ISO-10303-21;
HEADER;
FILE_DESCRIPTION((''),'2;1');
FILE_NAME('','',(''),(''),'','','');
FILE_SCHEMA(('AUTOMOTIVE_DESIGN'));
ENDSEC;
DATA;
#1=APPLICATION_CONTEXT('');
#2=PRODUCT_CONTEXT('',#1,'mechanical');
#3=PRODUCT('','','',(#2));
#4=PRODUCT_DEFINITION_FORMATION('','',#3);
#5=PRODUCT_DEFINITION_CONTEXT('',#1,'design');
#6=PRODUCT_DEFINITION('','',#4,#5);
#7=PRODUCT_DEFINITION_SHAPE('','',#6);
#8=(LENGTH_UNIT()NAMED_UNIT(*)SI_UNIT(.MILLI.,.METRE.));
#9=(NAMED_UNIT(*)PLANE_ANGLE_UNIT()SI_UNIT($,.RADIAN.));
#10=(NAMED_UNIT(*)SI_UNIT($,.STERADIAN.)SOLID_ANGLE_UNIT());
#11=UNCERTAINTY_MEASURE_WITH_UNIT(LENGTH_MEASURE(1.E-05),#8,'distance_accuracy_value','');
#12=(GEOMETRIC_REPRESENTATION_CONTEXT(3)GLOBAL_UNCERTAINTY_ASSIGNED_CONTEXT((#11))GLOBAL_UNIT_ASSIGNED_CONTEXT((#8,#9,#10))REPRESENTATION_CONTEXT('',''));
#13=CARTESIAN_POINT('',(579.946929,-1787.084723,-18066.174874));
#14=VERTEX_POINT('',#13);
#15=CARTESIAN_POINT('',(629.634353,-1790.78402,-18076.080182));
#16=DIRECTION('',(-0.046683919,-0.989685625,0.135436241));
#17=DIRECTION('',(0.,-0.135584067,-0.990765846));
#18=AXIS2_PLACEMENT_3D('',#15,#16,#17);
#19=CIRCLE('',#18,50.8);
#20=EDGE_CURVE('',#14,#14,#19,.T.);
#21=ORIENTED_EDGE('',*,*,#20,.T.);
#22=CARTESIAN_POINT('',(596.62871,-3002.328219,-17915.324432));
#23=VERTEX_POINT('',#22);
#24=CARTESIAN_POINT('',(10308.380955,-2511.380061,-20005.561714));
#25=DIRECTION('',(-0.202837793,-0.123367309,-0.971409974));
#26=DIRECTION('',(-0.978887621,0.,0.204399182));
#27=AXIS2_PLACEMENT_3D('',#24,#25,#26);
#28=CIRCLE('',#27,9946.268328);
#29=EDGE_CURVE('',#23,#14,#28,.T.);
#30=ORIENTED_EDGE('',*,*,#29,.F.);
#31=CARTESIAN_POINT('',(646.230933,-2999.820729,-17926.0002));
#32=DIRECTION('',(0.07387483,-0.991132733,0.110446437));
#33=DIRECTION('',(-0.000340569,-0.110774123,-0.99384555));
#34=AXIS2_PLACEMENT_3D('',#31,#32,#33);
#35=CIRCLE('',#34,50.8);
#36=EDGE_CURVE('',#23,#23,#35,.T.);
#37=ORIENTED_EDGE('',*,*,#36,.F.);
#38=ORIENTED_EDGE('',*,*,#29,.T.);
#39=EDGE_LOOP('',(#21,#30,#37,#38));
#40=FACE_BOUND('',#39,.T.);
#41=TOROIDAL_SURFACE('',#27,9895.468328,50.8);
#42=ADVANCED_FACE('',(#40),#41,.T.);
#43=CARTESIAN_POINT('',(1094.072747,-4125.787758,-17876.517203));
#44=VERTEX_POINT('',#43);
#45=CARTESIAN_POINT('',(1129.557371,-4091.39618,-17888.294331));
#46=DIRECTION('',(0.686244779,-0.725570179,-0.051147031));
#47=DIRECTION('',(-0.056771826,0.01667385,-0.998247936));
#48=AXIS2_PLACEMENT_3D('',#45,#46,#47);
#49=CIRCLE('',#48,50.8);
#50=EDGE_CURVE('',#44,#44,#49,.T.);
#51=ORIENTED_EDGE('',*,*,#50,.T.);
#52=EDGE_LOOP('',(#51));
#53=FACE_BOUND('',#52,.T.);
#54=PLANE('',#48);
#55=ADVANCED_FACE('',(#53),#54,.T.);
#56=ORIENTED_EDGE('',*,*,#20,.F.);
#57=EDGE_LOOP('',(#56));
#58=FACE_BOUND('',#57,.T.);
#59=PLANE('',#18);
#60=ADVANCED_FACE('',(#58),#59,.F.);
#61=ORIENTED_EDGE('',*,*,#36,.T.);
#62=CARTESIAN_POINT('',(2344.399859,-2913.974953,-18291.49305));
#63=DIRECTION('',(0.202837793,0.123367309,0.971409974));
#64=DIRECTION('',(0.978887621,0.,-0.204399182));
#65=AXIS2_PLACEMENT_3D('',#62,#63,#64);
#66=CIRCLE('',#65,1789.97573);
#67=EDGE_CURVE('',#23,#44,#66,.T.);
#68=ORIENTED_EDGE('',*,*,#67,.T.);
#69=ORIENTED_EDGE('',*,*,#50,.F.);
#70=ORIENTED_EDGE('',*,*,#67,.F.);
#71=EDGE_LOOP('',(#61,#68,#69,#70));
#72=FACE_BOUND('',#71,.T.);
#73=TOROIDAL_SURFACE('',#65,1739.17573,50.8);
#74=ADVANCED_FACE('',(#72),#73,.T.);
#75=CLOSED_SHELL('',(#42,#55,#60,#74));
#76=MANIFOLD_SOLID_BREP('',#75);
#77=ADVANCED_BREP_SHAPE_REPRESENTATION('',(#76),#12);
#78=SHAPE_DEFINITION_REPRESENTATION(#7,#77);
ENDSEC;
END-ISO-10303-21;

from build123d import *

# Parameters (mm, degrees)
SKETCH3_R = 50.800000001


with BuildPart() as part:
    # Sweep1: sweep along a path in Sketch2
    with BuildLine(Plane(origin=(-3580.59315192, -2177.740819311, -17147.809835371), x_dir=(0.9792109243538111, -0.02386090084351329, -0.2014363994840333), z_dir=(0.20283779285725045, 0.12336730884026248, 0.9714099736456852))) as sweep1_path:
        ThreePointArc((4300.455065065, 493.480774376), (4289.11985753, -115.917423948), (4315.323751407, -724.857492425))
        ThreePointArc((4315.323751407, -724.857492425), (4464.819584118, -1312.627923437), (4807.052919329, -1813.326862761))
    # Sketch3 → Sweep1 (sweep)
    with BuildSketch(Plane(origin=(32.923224106, 697.962867417, -95.514640834), x_dir=(0.9989097115116529, -0.046252832003062905, 0.006329595516537215), z_dir=(-0.04668391851276549, -0.9896856250432939, 0.13543624084770708))):
        with Locations((597.362425847, -18151.964647652)):
            Circle(SKETCH3_R)
    sweep(path=sweep1_path.line)


solid = part.part
